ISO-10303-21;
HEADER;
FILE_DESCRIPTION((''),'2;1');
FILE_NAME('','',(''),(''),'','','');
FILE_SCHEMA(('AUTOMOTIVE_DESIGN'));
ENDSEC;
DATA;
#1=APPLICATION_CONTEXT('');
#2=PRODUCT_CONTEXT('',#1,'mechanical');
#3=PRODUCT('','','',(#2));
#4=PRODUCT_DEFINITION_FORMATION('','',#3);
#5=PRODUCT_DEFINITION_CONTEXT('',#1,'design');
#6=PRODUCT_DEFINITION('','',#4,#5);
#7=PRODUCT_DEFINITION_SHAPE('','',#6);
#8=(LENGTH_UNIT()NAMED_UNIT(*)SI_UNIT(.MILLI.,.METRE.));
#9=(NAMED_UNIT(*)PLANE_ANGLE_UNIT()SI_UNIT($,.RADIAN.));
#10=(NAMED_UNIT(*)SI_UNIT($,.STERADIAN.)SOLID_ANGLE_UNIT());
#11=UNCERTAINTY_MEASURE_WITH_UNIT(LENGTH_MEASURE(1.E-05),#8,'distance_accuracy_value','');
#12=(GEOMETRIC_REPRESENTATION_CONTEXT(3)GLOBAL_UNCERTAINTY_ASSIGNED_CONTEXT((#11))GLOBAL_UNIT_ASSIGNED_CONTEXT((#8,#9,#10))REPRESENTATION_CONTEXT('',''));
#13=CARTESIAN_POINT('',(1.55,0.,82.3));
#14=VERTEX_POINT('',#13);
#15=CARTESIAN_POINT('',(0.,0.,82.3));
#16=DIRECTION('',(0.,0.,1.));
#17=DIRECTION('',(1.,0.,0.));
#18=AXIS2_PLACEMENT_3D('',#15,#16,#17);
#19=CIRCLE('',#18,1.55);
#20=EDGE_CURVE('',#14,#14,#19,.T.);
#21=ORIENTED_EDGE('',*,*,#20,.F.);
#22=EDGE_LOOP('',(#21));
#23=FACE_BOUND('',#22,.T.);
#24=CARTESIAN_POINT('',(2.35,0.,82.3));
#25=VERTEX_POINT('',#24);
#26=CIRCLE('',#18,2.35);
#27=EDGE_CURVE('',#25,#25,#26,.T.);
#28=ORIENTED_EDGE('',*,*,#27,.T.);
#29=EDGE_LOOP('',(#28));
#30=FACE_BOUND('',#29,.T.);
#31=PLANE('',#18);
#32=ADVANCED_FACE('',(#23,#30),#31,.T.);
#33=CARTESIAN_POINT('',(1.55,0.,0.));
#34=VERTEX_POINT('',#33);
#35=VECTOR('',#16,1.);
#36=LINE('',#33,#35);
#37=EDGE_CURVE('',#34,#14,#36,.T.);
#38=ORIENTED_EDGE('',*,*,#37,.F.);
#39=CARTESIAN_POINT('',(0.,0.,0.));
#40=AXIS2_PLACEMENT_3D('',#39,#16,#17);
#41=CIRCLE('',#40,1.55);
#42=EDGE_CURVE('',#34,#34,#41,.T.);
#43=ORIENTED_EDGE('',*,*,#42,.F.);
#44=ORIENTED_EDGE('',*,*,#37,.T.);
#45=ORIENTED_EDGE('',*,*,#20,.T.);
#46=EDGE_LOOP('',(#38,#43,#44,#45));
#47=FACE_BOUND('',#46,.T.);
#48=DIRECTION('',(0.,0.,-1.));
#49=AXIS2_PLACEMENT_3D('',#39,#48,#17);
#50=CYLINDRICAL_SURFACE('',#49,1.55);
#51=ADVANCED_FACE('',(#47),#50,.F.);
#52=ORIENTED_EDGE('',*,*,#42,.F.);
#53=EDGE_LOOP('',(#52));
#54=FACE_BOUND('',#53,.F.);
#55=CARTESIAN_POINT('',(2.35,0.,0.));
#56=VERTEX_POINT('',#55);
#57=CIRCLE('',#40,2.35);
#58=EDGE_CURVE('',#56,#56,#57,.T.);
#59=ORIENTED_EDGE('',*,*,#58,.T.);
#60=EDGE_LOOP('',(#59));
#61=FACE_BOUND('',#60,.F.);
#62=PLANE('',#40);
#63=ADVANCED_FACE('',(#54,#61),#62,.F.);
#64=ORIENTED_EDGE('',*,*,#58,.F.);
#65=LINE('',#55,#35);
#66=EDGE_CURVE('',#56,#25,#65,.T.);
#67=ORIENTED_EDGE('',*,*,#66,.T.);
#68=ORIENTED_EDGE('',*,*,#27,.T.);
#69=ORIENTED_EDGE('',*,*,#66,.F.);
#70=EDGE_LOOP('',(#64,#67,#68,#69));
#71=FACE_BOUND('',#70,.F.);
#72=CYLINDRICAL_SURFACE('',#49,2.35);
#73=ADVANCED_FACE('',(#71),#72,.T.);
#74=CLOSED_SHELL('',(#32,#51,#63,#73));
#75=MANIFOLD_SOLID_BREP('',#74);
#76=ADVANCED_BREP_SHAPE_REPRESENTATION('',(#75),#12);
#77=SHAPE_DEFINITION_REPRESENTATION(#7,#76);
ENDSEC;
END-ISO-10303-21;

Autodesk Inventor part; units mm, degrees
ref_plane "YZ Plane" through (0, 0, 0) normal (1, 0, 0) x (0, 1, 0)
ref_plane "XZ Plane" through (0, 0, 0) normal (0, 1, 0) x (-1, 0, 0)
ref_plane "XY Plane" through (0, 0, 0) normal (0, 0, 1) x (1, 0, 0)
sketch "Skizze1" plane through (0, 0, 0) normal (0, 0, 1) x (1, 0, 0)
  circle A0 centre (0, 0) radius 1.55
  circle A1 centre (0, 0) radius 2.35
  dimension "d0" = 0.8
  dimension "d1" = 3.1
extrude "Extrusion1" add sketch "Skizze1" along normal blind 82.3
properties part number "Stewart-Rod-Pipe"
